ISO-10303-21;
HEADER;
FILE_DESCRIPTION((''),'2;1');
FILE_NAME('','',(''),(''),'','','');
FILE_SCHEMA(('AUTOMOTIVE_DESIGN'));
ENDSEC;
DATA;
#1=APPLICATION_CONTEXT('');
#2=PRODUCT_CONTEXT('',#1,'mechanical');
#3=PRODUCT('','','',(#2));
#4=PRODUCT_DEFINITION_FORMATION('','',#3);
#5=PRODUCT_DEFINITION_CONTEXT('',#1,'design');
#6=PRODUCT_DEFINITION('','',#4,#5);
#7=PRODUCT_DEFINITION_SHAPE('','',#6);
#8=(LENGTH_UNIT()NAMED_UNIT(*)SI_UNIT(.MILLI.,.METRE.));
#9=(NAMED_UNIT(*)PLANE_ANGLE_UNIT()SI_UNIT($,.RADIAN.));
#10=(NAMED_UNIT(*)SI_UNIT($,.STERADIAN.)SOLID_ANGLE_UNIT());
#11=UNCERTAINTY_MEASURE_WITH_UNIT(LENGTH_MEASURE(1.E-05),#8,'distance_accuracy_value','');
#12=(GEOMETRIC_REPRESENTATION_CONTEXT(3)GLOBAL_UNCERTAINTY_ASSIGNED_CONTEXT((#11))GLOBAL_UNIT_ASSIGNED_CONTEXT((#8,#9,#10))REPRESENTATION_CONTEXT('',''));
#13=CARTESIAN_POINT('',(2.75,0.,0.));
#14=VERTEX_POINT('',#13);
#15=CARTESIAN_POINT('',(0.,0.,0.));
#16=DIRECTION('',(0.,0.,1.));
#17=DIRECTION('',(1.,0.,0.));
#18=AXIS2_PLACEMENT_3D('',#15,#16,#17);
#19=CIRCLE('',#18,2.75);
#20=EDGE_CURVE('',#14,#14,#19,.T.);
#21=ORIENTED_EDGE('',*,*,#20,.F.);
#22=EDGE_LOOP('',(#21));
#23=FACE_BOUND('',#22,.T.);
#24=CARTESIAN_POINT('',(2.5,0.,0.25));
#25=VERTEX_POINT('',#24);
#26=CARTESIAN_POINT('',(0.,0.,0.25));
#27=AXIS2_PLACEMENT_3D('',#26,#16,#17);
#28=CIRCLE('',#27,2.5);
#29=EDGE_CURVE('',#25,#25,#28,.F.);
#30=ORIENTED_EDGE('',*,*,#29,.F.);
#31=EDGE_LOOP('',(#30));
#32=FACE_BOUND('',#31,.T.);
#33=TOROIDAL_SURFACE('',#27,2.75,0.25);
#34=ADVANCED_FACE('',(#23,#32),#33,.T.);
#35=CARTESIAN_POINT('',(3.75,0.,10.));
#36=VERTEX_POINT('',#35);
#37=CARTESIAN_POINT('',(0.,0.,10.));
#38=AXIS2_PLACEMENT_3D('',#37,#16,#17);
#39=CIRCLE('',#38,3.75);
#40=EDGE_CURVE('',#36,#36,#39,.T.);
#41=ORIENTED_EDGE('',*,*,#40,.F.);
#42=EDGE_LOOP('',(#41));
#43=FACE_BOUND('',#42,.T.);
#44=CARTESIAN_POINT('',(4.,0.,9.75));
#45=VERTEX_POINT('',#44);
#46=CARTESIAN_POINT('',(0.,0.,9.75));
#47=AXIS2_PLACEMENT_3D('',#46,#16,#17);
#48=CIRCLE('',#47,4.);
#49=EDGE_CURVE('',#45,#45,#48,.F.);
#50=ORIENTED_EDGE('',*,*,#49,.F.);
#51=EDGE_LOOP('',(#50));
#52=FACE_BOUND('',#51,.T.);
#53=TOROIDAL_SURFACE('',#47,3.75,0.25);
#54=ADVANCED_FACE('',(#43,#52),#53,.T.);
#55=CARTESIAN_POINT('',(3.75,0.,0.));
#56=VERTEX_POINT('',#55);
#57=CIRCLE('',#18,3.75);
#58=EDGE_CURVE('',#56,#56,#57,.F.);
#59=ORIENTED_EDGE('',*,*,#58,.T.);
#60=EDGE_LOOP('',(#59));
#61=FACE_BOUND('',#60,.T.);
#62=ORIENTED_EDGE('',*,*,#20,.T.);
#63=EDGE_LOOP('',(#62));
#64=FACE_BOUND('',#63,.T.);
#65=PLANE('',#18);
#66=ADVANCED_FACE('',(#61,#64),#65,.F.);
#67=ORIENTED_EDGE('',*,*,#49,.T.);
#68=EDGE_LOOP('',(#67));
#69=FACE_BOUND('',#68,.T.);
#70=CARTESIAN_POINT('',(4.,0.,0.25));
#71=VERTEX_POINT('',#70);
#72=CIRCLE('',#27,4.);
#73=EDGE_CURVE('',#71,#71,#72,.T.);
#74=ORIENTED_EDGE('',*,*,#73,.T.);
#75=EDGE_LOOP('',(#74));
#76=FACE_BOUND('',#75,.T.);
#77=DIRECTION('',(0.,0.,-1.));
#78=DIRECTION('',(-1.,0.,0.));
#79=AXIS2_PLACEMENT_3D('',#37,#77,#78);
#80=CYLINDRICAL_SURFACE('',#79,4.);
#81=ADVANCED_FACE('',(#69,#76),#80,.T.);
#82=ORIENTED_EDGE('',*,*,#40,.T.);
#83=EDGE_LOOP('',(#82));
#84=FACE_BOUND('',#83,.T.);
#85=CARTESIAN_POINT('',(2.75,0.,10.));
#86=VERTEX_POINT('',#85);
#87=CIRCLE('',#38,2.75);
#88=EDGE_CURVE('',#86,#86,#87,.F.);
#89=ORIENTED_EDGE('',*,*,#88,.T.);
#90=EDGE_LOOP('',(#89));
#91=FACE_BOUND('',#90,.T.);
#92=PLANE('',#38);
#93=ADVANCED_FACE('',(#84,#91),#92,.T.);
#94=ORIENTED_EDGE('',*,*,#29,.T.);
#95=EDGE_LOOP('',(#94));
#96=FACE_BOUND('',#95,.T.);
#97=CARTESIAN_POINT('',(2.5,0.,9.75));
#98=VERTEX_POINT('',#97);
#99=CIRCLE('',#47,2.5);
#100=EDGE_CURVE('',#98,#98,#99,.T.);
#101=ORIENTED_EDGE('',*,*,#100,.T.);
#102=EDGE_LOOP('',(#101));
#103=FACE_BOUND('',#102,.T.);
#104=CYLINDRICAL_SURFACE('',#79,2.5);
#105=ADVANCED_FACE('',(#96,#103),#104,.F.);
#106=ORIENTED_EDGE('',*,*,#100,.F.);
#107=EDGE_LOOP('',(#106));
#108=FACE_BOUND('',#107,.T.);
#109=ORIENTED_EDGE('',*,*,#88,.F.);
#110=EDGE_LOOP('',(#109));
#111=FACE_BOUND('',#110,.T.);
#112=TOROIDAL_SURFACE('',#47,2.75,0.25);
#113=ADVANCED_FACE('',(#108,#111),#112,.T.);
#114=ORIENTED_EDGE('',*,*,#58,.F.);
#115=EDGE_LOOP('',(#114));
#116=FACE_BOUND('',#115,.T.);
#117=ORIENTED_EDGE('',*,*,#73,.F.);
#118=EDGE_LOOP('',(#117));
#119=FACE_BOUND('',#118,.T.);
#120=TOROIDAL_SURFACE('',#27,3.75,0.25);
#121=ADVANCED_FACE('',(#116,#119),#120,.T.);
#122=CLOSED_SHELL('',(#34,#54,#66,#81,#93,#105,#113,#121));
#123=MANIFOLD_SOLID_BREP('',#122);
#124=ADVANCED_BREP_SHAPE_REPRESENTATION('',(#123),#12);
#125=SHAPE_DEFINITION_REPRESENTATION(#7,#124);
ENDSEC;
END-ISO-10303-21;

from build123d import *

# Parameters (mm, degrees)
SKETCH1_R           = 4
SKETCH1_R_2         = 2.5
BOSS_EXTRUDE1_DEPTH = 10
FILLET1_R           = 0.25


with BuildPart() as part:
    # Sketch1 → Boss-Extrude1 (new body)
    with BuildSketch(Plane.XY):
        Circle(SKETCH1_R)
        Circle(SKETCH1_R_2, mode=Mode.SUBTRACT)
    extrude(amount=BOSS_EXTRUDE1_DEPTH)

    # Fillet1
    fillet1_edges = [part.edges().sort_by_distance(p)[0] for p in [
        (-4, 0, 10),
        (-4, 0, 0),
        (-2.5, 0, 0),
        (-2.5, 0, 10),
    ]]
    fillet(fillet1_edges, radius=FILLET1_R)


solid = part.part
